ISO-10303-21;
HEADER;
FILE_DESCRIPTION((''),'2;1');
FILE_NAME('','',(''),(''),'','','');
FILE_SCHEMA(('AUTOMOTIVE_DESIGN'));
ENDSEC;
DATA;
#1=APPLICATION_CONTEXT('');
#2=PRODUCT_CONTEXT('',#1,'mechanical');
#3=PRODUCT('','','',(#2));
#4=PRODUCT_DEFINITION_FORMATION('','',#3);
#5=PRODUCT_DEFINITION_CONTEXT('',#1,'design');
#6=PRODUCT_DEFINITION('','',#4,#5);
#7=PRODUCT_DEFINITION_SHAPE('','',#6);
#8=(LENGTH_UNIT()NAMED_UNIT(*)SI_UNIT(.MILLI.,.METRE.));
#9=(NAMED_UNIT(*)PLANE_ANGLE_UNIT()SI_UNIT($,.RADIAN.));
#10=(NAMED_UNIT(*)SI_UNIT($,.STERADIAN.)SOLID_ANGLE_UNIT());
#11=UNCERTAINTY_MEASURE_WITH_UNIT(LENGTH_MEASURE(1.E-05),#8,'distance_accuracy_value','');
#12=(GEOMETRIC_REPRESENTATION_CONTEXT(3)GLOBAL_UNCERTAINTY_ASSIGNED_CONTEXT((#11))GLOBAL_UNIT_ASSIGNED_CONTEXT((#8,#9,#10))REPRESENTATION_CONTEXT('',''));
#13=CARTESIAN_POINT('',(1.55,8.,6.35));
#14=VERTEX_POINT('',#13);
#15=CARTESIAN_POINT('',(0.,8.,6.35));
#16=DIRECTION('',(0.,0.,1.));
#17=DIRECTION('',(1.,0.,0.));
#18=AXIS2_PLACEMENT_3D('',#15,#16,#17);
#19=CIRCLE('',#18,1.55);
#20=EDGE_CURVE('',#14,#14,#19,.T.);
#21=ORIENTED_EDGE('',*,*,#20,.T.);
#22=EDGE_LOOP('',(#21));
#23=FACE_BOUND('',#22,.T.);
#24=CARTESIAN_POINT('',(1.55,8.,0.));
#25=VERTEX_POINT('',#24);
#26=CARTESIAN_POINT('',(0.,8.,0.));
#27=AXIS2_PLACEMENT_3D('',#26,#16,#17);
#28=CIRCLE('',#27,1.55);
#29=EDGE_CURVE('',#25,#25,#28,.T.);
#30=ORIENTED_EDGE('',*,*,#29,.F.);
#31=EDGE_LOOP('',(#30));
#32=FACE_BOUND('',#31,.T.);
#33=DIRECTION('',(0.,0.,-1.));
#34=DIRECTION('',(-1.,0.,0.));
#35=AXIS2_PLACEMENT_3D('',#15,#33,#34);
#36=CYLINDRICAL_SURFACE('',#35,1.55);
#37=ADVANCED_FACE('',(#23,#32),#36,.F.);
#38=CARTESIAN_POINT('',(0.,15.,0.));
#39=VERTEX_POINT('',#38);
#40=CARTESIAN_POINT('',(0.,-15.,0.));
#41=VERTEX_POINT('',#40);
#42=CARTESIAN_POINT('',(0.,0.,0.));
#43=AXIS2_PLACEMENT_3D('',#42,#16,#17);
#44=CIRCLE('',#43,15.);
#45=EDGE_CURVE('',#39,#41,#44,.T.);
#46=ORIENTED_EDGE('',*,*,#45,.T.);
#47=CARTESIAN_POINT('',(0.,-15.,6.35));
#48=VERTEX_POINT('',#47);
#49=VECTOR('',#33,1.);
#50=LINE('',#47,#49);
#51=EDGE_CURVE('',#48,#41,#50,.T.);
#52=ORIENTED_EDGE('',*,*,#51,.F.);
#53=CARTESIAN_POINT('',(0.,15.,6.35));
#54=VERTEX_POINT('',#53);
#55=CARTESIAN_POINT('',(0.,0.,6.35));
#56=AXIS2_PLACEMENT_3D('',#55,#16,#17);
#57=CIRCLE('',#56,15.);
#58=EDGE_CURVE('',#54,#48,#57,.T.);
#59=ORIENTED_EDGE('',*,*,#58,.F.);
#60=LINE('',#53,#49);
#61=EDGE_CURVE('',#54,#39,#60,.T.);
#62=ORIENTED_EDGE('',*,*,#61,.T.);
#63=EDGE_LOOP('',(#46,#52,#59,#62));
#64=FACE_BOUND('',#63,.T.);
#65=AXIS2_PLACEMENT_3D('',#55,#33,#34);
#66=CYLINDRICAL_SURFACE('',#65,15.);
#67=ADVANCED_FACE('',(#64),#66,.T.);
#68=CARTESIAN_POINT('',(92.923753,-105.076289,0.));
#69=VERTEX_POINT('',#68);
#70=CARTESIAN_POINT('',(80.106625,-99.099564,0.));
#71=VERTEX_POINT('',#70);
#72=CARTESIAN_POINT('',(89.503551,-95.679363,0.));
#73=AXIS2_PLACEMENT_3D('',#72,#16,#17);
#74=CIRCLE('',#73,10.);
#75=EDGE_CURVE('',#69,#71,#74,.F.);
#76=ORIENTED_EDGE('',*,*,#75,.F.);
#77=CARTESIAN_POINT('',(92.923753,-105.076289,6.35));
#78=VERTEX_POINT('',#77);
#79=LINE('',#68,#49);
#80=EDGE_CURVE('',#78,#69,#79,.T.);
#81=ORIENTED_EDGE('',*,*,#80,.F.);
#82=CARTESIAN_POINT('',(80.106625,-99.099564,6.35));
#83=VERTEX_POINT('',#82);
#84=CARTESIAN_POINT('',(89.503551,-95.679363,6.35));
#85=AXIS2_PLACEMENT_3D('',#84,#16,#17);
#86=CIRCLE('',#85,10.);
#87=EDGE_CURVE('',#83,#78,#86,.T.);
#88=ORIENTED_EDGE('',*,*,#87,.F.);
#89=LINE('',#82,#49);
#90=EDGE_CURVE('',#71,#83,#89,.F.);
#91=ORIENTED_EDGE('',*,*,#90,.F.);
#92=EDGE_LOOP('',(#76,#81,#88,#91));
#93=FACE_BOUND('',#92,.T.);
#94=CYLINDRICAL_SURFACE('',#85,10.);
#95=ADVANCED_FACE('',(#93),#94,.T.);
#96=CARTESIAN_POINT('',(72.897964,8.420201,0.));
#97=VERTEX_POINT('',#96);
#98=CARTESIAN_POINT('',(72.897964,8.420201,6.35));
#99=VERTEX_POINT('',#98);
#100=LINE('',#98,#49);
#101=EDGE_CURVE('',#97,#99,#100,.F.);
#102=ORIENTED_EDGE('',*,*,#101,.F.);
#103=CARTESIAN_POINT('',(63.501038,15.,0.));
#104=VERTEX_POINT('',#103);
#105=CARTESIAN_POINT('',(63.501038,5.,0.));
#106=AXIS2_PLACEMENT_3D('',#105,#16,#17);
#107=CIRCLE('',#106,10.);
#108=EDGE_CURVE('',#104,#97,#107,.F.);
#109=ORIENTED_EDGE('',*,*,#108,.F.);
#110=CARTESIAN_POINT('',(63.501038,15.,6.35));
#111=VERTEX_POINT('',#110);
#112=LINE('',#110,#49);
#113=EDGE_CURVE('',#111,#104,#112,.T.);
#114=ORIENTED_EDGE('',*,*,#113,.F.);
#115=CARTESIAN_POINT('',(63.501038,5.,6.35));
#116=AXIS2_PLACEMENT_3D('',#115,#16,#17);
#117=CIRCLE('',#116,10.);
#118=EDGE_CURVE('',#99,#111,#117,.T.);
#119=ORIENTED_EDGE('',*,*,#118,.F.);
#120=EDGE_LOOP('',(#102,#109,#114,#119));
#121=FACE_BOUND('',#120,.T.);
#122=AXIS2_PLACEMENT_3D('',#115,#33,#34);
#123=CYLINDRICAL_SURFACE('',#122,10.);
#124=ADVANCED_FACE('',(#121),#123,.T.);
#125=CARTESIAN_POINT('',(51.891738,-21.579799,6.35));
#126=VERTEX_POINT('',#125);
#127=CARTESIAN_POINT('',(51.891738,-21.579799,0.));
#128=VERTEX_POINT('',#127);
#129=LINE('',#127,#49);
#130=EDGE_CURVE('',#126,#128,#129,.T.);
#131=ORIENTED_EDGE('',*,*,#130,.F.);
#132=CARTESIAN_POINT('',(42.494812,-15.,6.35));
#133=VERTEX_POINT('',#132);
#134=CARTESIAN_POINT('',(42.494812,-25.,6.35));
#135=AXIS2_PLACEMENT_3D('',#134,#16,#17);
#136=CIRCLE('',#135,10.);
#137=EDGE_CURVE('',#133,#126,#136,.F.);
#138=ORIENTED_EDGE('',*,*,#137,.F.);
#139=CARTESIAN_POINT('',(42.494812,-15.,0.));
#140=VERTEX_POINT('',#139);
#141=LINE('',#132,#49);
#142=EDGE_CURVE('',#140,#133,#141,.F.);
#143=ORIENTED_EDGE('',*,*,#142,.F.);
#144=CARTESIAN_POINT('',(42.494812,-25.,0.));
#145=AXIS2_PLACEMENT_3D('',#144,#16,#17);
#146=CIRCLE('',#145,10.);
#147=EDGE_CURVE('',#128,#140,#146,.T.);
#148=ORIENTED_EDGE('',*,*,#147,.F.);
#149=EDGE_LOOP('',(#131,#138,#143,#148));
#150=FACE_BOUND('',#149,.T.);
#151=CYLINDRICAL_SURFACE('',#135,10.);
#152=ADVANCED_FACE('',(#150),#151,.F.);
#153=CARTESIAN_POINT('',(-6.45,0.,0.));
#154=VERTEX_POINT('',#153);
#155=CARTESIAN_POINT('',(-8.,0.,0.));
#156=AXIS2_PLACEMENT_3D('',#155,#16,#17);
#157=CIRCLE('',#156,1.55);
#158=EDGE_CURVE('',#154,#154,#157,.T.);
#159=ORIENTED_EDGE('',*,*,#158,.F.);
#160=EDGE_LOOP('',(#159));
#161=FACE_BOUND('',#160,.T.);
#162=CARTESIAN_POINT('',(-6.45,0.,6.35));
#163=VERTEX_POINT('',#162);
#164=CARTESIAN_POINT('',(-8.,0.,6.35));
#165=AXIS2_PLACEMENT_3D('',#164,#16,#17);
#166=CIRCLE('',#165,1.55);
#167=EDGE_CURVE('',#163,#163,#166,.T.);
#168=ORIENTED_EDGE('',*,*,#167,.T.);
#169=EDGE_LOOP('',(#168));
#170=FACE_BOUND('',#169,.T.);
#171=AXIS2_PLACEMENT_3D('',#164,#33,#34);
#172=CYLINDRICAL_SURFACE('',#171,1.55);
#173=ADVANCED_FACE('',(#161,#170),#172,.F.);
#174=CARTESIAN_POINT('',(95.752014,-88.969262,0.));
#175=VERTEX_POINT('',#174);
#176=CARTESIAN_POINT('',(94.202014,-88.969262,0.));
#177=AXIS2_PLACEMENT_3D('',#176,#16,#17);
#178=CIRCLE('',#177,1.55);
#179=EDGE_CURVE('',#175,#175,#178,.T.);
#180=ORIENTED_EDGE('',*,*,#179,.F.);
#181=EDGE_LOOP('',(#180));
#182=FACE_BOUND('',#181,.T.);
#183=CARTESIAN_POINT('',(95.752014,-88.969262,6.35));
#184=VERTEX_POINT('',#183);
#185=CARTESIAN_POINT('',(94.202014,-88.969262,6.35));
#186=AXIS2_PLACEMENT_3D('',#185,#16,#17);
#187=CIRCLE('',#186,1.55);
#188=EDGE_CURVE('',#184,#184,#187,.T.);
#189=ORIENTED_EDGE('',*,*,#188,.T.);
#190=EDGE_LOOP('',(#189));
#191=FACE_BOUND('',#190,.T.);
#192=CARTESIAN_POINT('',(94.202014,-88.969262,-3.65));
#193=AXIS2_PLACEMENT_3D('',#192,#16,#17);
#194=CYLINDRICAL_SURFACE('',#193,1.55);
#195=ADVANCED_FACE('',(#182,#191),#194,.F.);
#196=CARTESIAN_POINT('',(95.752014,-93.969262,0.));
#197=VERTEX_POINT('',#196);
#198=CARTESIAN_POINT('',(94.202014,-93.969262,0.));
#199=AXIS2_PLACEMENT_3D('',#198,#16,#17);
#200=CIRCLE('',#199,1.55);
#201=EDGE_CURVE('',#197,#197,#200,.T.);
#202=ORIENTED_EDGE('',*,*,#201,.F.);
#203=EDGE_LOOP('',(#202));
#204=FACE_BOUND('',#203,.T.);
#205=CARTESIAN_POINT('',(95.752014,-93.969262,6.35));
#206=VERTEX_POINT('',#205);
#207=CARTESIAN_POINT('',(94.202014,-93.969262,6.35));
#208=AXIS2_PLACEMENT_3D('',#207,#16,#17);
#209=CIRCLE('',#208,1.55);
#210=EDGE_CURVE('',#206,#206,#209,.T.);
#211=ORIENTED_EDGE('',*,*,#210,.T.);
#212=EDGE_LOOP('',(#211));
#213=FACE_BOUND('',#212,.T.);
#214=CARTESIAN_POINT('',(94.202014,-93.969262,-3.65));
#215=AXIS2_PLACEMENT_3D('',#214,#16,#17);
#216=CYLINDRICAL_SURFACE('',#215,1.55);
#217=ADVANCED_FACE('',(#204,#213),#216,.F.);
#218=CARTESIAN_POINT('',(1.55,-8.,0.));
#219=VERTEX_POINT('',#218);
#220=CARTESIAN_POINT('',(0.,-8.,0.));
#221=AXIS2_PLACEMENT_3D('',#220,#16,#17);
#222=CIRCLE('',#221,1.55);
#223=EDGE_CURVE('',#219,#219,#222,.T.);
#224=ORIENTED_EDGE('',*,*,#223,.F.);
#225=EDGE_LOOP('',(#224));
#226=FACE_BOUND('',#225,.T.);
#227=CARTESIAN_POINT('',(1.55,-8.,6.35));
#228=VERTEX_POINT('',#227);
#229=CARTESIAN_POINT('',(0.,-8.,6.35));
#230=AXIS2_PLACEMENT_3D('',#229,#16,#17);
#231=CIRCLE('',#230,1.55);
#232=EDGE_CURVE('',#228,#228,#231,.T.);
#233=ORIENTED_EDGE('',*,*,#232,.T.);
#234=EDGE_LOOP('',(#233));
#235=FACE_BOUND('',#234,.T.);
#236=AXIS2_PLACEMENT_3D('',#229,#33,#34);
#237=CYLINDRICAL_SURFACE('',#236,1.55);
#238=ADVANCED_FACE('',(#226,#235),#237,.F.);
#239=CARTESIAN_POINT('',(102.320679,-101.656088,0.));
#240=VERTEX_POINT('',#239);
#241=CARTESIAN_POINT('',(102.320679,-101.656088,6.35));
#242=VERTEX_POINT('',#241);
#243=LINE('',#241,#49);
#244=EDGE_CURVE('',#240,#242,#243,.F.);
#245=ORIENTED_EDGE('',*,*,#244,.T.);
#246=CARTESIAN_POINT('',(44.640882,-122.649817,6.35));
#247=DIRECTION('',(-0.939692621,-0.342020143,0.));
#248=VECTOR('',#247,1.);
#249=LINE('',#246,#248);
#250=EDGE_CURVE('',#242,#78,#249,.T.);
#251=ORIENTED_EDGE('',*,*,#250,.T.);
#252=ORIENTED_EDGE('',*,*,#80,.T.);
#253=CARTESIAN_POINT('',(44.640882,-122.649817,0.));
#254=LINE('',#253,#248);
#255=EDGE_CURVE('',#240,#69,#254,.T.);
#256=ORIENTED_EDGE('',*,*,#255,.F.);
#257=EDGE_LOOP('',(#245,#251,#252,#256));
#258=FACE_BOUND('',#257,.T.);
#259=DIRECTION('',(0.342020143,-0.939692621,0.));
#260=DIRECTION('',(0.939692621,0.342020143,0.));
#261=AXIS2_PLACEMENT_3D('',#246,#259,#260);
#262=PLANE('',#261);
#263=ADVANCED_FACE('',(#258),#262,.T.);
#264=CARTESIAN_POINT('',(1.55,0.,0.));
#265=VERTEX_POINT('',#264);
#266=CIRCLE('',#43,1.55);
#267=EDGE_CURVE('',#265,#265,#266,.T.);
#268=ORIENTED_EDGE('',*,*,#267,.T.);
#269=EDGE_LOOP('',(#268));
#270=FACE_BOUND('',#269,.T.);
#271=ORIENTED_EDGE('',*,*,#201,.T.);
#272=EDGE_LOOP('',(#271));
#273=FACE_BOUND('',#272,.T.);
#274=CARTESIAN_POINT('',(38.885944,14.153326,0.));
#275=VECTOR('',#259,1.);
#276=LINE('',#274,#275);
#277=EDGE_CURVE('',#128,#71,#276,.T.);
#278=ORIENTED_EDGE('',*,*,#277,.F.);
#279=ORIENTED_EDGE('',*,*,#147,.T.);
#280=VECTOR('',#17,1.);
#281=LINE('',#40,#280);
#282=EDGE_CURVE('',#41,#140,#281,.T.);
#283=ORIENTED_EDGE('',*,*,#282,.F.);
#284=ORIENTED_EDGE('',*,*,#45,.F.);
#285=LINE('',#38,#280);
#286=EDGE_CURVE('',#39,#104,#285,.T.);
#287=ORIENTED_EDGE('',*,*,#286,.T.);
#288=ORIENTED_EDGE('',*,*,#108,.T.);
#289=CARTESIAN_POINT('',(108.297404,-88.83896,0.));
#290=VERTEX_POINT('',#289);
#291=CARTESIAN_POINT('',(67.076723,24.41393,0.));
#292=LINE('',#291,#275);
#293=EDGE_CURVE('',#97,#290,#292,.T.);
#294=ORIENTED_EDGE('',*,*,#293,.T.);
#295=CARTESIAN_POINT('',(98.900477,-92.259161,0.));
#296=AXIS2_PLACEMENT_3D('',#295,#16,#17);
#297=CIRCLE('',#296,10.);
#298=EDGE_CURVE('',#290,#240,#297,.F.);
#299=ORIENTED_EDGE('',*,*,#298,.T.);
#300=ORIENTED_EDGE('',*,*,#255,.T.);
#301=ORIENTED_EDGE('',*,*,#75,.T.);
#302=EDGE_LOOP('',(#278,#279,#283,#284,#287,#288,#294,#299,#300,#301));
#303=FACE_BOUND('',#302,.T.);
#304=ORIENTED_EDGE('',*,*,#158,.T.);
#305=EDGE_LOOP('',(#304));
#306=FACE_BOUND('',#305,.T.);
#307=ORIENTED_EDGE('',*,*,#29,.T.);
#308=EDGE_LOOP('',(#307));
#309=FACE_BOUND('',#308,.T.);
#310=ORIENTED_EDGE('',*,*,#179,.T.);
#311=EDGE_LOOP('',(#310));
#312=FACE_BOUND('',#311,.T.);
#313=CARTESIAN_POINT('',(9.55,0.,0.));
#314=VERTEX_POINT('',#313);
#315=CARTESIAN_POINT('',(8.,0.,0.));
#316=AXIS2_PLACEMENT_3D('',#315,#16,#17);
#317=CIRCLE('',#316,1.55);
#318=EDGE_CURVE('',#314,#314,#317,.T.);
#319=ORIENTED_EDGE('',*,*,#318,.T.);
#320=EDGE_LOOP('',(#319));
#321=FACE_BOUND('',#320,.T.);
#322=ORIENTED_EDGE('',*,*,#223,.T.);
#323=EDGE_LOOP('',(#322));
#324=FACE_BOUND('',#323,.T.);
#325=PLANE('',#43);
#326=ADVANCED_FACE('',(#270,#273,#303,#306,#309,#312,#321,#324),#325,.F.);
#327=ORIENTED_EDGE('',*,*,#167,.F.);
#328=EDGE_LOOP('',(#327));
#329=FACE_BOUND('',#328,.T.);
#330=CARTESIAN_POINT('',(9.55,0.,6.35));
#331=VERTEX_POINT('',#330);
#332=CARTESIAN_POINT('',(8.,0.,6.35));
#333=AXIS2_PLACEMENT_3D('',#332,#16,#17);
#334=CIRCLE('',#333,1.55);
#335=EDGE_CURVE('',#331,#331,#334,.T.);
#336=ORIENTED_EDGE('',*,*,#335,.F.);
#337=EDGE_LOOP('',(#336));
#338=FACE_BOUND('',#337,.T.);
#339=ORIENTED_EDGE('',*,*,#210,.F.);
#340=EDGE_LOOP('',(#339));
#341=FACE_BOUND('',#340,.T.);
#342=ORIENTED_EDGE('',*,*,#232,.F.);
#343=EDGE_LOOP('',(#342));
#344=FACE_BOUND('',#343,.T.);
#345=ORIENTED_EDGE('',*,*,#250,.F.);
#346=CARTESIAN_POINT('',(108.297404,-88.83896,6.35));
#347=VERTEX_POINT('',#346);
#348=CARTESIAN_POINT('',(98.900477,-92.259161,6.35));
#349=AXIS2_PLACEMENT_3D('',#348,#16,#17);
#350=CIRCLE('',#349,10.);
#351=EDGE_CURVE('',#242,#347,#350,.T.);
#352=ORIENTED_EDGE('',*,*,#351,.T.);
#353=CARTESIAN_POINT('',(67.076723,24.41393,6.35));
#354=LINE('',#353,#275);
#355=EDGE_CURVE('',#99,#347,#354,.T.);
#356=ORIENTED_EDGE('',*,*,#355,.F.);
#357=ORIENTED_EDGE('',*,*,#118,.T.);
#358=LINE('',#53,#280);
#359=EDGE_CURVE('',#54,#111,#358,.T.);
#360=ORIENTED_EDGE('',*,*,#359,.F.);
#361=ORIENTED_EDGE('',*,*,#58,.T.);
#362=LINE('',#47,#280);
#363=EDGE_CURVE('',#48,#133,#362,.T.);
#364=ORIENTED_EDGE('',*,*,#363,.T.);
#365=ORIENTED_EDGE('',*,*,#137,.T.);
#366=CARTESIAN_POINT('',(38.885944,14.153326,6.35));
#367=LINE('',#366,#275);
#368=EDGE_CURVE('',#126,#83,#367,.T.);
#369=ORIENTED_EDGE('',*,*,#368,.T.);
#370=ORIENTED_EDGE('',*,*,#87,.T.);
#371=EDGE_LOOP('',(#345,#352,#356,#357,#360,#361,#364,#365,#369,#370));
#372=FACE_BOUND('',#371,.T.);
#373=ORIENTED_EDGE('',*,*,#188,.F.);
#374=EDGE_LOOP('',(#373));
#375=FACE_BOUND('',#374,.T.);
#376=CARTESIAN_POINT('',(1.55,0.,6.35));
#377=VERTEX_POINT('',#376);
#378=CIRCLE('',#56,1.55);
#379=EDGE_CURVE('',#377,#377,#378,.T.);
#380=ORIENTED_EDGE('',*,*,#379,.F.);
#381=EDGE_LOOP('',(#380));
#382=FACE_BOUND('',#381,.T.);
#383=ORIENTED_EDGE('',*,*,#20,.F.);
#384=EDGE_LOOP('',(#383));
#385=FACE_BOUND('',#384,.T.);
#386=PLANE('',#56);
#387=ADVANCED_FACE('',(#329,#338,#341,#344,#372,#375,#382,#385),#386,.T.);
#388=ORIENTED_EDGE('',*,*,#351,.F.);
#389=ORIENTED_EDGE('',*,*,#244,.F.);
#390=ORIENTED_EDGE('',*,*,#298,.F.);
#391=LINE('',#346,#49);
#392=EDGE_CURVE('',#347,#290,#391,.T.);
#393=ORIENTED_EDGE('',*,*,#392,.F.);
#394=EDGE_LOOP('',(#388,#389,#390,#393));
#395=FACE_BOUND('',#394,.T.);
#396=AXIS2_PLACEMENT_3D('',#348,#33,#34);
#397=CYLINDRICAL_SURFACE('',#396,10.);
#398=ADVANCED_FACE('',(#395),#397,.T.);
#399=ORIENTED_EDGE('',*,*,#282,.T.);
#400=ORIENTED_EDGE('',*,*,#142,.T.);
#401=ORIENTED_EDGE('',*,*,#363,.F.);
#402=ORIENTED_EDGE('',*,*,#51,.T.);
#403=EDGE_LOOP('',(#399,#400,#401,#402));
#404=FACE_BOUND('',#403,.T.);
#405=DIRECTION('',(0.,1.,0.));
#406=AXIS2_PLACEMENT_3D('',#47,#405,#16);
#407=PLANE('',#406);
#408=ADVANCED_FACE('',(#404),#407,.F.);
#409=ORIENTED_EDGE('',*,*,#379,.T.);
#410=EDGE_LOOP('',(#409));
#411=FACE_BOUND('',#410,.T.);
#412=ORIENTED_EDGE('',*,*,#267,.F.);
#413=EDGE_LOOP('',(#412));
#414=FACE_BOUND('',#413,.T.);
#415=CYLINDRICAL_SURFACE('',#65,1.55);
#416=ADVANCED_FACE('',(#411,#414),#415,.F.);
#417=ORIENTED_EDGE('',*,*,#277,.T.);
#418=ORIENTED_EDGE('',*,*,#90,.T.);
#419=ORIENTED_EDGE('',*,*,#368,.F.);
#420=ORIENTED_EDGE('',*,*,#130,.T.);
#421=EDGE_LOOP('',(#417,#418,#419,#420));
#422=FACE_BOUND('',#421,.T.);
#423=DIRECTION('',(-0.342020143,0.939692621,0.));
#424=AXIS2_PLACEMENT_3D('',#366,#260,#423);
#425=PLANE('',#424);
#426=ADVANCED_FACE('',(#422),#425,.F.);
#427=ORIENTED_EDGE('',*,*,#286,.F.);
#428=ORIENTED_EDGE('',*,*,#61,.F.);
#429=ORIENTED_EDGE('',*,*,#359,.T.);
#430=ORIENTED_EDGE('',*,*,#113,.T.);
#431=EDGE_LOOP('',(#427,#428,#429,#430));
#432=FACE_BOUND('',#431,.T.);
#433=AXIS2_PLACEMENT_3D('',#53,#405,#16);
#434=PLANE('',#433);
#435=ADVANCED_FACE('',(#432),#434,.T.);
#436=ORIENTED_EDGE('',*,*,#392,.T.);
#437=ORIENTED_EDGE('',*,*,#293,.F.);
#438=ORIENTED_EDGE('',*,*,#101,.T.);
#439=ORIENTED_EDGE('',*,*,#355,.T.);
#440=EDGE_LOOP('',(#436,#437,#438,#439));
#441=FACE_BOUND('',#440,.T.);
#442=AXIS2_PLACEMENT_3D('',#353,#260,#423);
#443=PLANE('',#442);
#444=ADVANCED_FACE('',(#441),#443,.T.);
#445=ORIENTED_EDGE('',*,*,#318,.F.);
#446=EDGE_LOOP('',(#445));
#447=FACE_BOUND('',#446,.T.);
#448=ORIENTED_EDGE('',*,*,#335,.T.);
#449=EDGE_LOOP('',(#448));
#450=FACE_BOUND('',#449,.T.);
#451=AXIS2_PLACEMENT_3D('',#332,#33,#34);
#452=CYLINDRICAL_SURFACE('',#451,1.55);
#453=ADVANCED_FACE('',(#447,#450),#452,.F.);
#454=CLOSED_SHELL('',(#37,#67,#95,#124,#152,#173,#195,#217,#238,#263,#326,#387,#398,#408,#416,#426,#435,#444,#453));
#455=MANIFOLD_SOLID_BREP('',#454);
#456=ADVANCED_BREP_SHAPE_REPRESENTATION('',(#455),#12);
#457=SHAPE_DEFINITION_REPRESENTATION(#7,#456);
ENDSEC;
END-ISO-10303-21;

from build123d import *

# Parameters (mm, degrees)
SKETCH1_R           = 1.55
BOSS_EXTRUDE1_DEPTH = 6.35
FILLET1_R           = 10
FILLET2_R           = 10
SKETCH2_R           = 1.55
CUT_EXTRUDE1_DEPTH  = 10


with BuildPart() as part:
    # Sketch1 → Boss-Extrude1 (new body)
    with BuildSketch(Plane.XY):
        with BuildLine():
            ThreePointArc((0, 15), (-15, 0), (0, -15))
            Line((0, -15), (49.496886927, -15))
            Line((49.496886927, -15), (83.526826454, -108.496490436))
            Line((83.526826454, -108.496490436), (111.717605078, -98.235886137))
            Line((111.717605078, -98.235886137), (70.503113073, 15))
            Line((70.503113073, 15), (0, 15))
        make_face()
        with Locations((0, -8)):
            Circle(SKETCH1_R, mode=Mode.SUBTRACT)
        with Locations((-8, 0)):
            Circle(SKETCH1_R, mode=Mode.SUBTRACT)
        Circle(SKETCH1_R, mode=Mode.SUBTRACT)
        with Locations((0, 8)):
            Circle(SKETCH1_R, mode=Mode.SUBTRACT)
        with BuildLine():
            ThreePointArc((6.45, 0), (8, 1.55), (9.55, 0))
            ThreePointArc((9.55, 0), (8, -1.55), (6.45, 0))
        make_face(mode=Mode.SUBTRACT)
    extrude(amount=BOSS_EXTRUDE1_DEPTH)

    # Fillet1
    fillet1_edges = [part.edges().sort_by_distance(p)[0] for p in [
        (49.496886927, -15, 3.175),
        (70.503113073, 15, 3.175),
    ]]
    fillet(fillet1_edges, radius=FILLET1_R)

    # Fillet2
    fillet2_edges = [part.edges().sort_by_distance(p)[0] for p in [
        (111.717605078, -98.235886137, 3.175),
        (83.526826454, -108.496490436, 3.175),
    ]]
    fillet(fillet2_edges, radius=FILLET2_R)

    # Sketch2 → Cut-Extrude1 (cut)
    with BuildSketch(Plane.XY.offset(6.35)):
        with Locations((94.202014333, -93.969262079)):
            Circle(SKETCH2_R)
        with Locations((94.202014333, -88.969262079)):
            Circle(SKETCH2_R)
    extrude(amount=-CUT_EXTRUDE1_DEPTH, mode=Mode.SUBTRACT)


solid = part.part
